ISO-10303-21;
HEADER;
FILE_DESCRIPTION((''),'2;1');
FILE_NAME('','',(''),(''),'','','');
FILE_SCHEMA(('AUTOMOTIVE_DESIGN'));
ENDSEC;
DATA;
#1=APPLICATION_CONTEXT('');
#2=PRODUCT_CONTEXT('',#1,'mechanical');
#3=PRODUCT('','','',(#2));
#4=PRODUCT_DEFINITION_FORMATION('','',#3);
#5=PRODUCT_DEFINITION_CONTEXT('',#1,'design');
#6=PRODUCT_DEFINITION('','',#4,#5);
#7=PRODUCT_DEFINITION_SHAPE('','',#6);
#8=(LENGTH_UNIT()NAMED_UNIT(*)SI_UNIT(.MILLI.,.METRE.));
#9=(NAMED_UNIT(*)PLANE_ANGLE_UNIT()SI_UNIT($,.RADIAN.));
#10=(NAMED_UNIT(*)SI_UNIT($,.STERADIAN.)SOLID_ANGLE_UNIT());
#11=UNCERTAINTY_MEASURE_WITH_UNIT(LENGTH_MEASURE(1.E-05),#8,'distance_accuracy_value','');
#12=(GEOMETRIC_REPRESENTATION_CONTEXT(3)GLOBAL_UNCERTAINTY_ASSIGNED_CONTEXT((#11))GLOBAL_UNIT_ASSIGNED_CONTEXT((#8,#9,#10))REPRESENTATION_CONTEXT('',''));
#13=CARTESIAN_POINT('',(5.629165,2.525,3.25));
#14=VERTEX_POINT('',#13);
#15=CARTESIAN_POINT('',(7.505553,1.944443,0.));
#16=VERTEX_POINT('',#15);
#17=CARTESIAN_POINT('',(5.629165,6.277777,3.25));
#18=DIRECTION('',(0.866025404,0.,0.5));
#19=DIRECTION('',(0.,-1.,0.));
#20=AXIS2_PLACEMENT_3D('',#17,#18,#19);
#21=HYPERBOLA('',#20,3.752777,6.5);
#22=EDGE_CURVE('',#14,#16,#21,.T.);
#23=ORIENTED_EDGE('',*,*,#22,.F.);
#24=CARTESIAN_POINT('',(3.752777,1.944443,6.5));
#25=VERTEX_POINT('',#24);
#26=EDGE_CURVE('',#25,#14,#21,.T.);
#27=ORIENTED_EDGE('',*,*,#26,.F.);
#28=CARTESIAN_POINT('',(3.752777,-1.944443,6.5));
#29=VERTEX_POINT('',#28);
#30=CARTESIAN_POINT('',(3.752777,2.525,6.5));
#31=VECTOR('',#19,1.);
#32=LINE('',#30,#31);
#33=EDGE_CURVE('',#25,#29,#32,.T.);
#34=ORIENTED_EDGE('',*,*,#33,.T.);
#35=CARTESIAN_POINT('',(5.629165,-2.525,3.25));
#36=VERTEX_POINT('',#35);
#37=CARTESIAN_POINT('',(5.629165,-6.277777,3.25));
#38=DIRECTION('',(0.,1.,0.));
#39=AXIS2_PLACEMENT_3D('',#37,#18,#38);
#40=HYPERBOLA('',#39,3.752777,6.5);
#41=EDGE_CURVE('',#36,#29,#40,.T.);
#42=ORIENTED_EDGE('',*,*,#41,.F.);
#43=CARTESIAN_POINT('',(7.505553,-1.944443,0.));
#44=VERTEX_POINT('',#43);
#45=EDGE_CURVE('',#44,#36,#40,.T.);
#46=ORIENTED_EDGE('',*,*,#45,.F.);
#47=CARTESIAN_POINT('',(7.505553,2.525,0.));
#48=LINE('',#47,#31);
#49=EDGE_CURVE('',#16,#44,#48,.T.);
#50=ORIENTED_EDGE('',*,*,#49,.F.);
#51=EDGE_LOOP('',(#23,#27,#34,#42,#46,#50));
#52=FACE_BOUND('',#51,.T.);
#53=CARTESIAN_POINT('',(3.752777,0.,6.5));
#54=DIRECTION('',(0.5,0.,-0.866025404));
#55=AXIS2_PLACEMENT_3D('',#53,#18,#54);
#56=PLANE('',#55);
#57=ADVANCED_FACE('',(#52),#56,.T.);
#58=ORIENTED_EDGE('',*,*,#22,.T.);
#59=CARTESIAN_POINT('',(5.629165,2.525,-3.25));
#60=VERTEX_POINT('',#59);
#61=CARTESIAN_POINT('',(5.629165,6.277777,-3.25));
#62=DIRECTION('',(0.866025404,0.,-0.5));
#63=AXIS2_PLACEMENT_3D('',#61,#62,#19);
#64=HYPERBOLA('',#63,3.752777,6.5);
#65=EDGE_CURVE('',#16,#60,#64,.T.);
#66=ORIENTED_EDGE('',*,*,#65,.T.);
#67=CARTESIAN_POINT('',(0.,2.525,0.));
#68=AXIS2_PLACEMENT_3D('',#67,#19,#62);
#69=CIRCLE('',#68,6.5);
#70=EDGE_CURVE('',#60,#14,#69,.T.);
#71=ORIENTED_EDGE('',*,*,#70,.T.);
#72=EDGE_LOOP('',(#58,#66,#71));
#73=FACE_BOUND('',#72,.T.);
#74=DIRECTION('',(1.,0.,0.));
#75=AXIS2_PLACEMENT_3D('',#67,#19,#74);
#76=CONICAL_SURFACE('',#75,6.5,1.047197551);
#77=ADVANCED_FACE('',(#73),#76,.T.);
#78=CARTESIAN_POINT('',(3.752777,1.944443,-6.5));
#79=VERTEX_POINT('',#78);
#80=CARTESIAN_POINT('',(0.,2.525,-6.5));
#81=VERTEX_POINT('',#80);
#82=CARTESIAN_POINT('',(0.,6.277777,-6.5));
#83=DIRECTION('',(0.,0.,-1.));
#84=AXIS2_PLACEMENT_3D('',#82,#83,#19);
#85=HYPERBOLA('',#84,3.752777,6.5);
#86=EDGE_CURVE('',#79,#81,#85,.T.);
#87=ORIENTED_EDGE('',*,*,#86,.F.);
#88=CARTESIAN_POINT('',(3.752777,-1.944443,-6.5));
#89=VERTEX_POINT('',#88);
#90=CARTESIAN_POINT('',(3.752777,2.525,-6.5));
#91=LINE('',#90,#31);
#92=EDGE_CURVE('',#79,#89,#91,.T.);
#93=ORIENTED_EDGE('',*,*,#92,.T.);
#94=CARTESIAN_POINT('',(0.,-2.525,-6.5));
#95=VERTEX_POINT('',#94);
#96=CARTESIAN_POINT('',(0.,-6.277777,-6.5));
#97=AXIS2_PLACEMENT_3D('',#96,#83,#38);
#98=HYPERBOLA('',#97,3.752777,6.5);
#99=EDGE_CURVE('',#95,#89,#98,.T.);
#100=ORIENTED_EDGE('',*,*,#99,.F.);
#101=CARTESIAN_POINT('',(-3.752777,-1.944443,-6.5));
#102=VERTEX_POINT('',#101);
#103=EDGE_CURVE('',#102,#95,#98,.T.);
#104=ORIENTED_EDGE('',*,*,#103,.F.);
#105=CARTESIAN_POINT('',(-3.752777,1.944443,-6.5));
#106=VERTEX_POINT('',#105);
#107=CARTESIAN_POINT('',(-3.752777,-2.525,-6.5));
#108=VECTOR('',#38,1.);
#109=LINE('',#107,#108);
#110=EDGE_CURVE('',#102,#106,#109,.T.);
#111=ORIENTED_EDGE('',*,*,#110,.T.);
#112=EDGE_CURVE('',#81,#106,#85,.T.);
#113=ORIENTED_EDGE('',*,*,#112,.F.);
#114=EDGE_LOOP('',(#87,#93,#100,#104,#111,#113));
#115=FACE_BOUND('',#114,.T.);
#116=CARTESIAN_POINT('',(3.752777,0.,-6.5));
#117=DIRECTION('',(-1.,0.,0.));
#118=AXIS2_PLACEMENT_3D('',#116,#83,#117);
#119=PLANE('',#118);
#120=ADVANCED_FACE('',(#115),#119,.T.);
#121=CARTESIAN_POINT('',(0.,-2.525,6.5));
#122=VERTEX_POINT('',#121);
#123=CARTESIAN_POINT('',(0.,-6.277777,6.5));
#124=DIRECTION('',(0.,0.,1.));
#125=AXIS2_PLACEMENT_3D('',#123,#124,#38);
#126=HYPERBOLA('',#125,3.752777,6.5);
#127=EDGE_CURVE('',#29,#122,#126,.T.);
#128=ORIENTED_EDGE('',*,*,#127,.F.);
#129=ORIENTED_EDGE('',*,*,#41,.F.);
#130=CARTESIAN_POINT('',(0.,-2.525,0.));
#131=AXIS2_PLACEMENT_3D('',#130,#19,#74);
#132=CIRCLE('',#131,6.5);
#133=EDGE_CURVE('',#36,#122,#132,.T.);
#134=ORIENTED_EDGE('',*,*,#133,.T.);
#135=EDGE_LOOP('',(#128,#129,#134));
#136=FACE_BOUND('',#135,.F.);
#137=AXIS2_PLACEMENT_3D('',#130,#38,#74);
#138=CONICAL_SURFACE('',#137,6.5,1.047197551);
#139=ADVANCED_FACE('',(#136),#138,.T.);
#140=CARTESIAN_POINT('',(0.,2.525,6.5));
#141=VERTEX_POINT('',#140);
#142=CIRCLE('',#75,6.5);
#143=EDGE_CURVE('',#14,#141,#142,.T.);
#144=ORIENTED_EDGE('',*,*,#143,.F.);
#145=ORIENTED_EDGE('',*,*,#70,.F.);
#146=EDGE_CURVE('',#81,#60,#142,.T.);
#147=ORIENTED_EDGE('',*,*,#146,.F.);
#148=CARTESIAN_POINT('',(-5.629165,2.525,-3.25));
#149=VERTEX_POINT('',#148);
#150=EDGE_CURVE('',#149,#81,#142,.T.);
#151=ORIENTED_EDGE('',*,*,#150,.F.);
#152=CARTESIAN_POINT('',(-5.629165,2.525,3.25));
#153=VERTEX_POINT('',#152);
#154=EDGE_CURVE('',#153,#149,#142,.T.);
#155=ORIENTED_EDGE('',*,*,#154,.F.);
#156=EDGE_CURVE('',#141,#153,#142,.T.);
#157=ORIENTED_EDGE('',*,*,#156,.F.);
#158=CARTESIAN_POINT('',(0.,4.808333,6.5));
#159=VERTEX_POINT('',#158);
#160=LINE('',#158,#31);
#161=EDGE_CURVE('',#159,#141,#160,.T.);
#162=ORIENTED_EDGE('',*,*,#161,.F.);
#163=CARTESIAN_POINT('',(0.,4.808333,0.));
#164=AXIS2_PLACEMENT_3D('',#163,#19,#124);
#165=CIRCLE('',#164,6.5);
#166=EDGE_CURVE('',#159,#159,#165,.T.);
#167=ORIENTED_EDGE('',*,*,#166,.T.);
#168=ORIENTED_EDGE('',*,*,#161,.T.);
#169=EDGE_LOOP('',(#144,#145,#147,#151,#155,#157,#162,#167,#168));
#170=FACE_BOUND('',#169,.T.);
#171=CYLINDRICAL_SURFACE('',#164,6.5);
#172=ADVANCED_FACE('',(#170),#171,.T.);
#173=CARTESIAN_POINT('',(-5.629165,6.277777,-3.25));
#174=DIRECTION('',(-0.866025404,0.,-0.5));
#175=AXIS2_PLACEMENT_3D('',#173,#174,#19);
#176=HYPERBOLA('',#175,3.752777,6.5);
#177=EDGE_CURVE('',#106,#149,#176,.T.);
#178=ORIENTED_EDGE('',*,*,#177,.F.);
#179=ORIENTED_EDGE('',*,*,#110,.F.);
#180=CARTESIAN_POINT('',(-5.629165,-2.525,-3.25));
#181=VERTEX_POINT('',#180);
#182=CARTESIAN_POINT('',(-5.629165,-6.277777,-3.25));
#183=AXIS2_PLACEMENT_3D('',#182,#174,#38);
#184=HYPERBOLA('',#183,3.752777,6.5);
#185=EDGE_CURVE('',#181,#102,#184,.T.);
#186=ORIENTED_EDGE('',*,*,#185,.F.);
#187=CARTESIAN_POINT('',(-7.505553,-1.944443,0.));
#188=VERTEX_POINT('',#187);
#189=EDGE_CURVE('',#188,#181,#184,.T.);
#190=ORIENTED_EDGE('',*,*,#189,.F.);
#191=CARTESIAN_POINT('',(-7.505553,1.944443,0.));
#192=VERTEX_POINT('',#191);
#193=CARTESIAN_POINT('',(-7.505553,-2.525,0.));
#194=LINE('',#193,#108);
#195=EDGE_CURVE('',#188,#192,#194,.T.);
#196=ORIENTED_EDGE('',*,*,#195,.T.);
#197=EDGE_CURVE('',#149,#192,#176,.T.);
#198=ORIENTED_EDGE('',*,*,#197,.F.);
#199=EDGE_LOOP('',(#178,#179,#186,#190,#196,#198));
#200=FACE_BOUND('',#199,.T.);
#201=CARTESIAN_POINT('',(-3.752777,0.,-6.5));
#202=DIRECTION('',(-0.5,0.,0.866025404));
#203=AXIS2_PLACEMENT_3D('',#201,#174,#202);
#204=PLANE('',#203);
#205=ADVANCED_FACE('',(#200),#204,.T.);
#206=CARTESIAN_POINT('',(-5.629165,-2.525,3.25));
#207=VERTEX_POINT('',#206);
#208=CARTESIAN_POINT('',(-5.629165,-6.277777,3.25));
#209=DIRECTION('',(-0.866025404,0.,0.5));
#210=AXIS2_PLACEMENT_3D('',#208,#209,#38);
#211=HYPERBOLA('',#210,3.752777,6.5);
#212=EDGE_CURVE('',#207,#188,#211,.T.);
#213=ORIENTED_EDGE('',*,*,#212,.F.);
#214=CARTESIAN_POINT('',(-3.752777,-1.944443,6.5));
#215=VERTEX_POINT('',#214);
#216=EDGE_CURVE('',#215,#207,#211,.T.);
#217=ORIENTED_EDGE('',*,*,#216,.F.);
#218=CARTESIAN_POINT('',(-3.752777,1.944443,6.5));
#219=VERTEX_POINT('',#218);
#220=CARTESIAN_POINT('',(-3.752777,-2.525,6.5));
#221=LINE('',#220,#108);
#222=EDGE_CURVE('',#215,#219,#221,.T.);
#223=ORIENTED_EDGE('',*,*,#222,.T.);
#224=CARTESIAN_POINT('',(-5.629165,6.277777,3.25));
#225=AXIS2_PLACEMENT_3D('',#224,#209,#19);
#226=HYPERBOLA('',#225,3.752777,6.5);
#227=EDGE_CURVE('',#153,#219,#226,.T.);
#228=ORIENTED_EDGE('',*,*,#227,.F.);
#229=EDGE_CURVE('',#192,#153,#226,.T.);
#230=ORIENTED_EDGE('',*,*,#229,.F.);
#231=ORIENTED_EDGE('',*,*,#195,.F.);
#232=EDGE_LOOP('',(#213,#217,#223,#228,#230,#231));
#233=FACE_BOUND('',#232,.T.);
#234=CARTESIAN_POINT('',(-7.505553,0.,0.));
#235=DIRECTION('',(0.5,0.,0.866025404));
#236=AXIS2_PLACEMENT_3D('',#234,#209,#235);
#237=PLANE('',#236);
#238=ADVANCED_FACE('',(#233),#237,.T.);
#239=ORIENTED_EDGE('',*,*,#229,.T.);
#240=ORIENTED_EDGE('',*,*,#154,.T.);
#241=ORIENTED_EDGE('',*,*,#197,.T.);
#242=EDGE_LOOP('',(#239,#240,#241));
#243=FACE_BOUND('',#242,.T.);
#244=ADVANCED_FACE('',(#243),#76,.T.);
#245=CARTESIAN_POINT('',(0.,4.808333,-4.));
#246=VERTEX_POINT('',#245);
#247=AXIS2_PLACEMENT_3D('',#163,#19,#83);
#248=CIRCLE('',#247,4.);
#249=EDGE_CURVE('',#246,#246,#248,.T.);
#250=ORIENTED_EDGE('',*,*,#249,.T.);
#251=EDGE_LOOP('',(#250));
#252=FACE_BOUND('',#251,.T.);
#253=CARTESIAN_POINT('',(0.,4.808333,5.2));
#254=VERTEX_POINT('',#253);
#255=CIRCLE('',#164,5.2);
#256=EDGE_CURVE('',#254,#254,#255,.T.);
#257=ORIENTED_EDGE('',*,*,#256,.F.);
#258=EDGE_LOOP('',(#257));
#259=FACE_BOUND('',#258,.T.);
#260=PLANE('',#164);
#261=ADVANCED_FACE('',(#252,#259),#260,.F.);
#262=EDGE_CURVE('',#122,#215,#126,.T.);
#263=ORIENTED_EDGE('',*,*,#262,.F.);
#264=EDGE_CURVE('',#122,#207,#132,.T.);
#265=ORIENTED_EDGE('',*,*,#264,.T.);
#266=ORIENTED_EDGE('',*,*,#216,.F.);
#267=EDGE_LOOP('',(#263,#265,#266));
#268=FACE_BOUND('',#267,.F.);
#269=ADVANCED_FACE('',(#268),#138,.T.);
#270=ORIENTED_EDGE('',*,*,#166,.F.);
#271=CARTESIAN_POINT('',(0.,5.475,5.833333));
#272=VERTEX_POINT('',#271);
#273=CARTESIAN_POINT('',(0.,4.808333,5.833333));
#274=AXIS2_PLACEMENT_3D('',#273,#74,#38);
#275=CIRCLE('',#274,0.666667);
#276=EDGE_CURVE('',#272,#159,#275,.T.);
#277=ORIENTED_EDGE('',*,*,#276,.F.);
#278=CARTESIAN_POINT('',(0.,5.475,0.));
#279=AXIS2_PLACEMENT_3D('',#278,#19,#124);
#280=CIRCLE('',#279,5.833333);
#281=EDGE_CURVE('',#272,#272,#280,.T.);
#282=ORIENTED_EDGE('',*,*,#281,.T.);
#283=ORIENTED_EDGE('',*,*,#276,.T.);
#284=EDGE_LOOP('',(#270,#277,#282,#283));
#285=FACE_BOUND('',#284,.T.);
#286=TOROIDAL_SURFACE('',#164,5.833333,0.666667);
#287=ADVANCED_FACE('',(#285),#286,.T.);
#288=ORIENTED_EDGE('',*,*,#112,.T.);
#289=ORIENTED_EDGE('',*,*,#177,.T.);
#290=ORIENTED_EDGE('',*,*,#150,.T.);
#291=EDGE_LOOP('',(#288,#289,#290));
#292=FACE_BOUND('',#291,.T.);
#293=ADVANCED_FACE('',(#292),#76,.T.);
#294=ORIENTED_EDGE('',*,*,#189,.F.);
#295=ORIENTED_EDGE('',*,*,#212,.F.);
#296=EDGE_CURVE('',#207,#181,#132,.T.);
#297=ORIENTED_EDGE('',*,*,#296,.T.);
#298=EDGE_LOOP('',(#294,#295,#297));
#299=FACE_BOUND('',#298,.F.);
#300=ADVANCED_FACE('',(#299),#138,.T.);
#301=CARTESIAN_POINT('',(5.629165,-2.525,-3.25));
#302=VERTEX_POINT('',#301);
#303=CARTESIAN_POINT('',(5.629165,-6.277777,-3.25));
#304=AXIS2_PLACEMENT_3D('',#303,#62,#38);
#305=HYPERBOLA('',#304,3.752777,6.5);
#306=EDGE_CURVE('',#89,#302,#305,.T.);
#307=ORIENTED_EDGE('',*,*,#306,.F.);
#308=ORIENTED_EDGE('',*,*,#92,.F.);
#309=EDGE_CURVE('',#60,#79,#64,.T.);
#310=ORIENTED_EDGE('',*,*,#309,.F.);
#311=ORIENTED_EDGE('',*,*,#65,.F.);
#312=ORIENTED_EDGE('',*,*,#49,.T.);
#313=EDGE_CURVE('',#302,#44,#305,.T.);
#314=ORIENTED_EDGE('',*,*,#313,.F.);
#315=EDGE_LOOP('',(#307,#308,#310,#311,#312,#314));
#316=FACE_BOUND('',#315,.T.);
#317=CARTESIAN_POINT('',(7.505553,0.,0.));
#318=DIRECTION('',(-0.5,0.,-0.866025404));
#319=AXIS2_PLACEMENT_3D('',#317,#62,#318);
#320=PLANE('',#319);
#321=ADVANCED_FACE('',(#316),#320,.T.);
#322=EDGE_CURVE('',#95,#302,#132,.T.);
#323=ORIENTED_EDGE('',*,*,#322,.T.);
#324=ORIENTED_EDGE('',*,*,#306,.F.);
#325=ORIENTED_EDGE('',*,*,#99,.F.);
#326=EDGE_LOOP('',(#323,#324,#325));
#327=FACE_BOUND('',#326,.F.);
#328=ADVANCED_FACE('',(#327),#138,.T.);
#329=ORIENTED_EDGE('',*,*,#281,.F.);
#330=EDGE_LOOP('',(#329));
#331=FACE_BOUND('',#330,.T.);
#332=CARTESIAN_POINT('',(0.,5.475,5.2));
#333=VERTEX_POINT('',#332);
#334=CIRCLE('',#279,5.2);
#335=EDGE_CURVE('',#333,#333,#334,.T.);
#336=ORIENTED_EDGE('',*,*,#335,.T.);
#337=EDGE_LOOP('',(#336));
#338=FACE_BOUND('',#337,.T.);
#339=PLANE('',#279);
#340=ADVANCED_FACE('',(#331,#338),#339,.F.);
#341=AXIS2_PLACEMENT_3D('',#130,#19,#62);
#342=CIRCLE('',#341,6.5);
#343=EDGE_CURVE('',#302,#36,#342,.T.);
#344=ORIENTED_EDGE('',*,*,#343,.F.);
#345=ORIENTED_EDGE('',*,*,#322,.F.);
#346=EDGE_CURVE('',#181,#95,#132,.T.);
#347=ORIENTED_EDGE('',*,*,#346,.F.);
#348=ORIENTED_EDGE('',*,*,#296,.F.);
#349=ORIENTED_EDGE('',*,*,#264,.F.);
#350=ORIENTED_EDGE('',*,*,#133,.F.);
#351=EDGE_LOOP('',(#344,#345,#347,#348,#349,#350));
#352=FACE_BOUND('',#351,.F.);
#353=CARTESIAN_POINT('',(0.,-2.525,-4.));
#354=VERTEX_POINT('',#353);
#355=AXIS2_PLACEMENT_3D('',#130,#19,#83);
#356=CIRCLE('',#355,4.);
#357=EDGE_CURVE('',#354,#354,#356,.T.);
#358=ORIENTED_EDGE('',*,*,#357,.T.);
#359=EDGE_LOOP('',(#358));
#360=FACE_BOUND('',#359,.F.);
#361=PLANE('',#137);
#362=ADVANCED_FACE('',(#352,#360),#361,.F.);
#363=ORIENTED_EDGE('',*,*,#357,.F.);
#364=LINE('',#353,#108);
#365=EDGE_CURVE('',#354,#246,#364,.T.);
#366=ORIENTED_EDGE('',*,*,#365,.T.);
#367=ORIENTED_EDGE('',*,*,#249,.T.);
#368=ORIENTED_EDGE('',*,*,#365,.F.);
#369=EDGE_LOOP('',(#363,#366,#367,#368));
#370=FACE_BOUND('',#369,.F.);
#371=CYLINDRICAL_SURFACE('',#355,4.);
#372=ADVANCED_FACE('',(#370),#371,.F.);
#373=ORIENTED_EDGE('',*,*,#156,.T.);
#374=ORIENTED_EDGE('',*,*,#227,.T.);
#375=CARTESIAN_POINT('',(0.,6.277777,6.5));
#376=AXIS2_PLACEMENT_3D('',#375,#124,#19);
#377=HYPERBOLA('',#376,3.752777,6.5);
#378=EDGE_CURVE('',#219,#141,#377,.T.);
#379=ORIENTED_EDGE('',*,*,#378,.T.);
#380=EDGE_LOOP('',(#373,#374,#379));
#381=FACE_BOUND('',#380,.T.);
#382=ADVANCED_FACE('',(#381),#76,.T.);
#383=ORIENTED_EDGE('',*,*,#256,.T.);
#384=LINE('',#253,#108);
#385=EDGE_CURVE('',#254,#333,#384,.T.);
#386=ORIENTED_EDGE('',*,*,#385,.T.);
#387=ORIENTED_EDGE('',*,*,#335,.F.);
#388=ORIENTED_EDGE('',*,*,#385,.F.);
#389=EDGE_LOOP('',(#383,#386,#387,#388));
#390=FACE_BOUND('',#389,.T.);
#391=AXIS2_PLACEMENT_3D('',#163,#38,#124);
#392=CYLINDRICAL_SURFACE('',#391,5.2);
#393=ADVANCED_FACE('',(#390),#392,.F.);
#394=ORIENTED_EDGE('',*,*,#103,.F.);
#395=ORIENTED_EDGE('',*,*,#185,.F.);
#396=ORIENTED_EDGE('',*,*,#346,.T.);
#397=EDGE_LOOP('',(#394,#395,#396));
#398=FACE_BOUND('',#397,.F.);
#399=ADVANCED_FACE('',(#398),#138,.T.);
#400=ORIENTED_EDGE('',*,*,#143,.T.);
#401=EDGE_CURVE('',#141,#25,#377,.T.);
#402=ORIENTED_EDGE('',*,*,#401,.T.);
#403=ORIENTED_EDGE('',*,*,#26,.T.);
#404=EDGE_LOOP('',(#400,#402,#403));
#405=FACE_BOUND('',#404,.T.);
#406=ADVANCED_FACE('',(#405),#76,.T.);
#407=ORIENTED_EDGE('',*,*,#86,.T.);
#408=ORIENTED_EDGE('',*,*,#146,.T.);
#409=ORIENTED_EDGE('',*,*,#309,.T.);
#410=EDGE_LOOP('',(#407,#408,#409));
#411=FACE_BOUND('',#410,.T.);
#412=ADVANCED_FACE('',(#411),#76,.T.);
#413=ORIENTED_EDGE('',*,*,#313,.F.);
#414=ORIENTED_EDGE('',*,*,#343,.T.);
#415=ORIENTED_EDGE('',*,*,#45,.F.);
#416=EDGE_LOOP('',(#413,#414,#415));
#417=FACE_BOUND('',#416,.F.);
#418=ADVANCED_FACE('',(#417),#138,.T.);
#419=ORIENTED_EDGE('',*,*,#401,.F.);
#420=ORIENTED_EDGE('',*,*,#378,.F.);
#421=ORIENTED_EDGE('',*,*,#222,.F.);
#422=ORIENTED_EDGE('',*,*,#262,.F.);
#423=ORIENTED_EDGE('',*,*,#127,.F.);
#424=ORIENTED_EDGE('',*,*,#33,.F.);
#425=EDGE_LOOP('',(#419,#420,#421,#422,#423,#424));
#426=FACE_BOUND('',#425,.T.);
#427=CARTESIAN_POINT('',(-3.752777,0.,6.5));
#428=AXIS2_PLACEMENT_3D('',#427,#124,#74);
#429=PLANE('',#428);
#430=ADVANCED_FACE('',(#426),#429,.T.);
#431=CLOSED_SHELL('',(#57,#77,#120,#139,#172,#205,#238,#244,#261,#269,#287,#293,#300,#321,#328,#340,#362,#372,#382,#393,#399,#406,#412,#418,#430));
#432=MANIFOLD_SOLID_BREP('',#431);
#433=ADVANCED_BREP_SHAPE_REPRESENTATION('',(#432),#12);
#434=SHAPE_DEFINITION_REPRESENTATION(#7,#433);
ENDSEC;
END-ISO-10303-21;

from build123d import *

# Parameters (mm, degrees)
EXTRUDE1_DEPTH     = 2.525
CUT_EXTRUDE1_REACH = 14.751
SKETCH4_R          = 4


with BuildPart() as part:
    # Sketch1 → Extrude1 (new, symmetric)
    with BuildSketch(Plane(origin=(0, 0, 0), x_dir=(1, 0, 0), z_dir=(0, 1, 0))):
        Polygon((3.75277675, 6.5), (-3.75277675, 6.5), (-7.505553499, 0), (-3.75277675, -6.5), (3.75277675, -6.5), (7.505553499, 0), align=None)
    extrude(amount=EXTRUDE1_DEPTH, both=True)

    # Sketch2 → Cut-Revolve1 (revolve, cut)
    with BuildSketch(Plane.XY):
        Polygon((7.505553499, 2.525), (6.5, 2.525), (7.505553499, 1.944443416), align=None)
    cut_revolve1 = revolve(axis=Axis((0, 2.75, 0), (0, -1, 0)), mode=Mode.SUBTRACT)

    # Mirror1: Cut-Revolve1 across plane
    add(cut_revolve1.mirror(Plane.ZX), mode=Mode.SUBTRACT)

    # Sketch3 → Revolve1 (revolve)
    with BuildSketch(Plane.XY, mode=Mode.PRIVATE) as revolve1_sk:
        with BuildLine():
            Line((0, 2.525), (0, 4.808333333))
            Line((0, 4.808333333), (5.2, 4.808333333))
            Line((5.2, 4.808333333), (5.2, 5.475))
            Line((5.2, 5.475), (5.833333333, 5.475))
            ThreePointArc((5.833333333, 5.475), (6.304737854, 5.279737854), (6.5, 4.808333333))
            Line((6.5, 4.808333333), (6.5, 2.525))
            Line((6.5, 2.525), (0, 2.525))
        make_face()
    revolve(revolve1_sk.sketch.rotate(Axis((0, 2.75, 0), (0, -1, 0)), 90), axis=Axis((0, 2.75, 0), (0, -1, 0)))

    # Sketch4 → Cut-Extrude1 (cut, up to next)
    with BuildSketch(Plane.XZ.offset(2.525), mode=Mode.PRIVATE) as cut_extrude1_sk1:
        with Locations(Location((0, 0, 0), (0, 0, 270))):
            Circle(SKETCH4_R)
    cut_extrude1_tool1 = extrude(cut_extrude1_sk1.sketch, amount=-CUT_EXTRUDE1_REACH, mode=Mode.PRIVATE) & part.part
    add(cut_extrude1_tool1.solids().sort_by_distance((0, -2.525, 0))[0], mode=Mode.SUBTRACT)


solid = part.part
